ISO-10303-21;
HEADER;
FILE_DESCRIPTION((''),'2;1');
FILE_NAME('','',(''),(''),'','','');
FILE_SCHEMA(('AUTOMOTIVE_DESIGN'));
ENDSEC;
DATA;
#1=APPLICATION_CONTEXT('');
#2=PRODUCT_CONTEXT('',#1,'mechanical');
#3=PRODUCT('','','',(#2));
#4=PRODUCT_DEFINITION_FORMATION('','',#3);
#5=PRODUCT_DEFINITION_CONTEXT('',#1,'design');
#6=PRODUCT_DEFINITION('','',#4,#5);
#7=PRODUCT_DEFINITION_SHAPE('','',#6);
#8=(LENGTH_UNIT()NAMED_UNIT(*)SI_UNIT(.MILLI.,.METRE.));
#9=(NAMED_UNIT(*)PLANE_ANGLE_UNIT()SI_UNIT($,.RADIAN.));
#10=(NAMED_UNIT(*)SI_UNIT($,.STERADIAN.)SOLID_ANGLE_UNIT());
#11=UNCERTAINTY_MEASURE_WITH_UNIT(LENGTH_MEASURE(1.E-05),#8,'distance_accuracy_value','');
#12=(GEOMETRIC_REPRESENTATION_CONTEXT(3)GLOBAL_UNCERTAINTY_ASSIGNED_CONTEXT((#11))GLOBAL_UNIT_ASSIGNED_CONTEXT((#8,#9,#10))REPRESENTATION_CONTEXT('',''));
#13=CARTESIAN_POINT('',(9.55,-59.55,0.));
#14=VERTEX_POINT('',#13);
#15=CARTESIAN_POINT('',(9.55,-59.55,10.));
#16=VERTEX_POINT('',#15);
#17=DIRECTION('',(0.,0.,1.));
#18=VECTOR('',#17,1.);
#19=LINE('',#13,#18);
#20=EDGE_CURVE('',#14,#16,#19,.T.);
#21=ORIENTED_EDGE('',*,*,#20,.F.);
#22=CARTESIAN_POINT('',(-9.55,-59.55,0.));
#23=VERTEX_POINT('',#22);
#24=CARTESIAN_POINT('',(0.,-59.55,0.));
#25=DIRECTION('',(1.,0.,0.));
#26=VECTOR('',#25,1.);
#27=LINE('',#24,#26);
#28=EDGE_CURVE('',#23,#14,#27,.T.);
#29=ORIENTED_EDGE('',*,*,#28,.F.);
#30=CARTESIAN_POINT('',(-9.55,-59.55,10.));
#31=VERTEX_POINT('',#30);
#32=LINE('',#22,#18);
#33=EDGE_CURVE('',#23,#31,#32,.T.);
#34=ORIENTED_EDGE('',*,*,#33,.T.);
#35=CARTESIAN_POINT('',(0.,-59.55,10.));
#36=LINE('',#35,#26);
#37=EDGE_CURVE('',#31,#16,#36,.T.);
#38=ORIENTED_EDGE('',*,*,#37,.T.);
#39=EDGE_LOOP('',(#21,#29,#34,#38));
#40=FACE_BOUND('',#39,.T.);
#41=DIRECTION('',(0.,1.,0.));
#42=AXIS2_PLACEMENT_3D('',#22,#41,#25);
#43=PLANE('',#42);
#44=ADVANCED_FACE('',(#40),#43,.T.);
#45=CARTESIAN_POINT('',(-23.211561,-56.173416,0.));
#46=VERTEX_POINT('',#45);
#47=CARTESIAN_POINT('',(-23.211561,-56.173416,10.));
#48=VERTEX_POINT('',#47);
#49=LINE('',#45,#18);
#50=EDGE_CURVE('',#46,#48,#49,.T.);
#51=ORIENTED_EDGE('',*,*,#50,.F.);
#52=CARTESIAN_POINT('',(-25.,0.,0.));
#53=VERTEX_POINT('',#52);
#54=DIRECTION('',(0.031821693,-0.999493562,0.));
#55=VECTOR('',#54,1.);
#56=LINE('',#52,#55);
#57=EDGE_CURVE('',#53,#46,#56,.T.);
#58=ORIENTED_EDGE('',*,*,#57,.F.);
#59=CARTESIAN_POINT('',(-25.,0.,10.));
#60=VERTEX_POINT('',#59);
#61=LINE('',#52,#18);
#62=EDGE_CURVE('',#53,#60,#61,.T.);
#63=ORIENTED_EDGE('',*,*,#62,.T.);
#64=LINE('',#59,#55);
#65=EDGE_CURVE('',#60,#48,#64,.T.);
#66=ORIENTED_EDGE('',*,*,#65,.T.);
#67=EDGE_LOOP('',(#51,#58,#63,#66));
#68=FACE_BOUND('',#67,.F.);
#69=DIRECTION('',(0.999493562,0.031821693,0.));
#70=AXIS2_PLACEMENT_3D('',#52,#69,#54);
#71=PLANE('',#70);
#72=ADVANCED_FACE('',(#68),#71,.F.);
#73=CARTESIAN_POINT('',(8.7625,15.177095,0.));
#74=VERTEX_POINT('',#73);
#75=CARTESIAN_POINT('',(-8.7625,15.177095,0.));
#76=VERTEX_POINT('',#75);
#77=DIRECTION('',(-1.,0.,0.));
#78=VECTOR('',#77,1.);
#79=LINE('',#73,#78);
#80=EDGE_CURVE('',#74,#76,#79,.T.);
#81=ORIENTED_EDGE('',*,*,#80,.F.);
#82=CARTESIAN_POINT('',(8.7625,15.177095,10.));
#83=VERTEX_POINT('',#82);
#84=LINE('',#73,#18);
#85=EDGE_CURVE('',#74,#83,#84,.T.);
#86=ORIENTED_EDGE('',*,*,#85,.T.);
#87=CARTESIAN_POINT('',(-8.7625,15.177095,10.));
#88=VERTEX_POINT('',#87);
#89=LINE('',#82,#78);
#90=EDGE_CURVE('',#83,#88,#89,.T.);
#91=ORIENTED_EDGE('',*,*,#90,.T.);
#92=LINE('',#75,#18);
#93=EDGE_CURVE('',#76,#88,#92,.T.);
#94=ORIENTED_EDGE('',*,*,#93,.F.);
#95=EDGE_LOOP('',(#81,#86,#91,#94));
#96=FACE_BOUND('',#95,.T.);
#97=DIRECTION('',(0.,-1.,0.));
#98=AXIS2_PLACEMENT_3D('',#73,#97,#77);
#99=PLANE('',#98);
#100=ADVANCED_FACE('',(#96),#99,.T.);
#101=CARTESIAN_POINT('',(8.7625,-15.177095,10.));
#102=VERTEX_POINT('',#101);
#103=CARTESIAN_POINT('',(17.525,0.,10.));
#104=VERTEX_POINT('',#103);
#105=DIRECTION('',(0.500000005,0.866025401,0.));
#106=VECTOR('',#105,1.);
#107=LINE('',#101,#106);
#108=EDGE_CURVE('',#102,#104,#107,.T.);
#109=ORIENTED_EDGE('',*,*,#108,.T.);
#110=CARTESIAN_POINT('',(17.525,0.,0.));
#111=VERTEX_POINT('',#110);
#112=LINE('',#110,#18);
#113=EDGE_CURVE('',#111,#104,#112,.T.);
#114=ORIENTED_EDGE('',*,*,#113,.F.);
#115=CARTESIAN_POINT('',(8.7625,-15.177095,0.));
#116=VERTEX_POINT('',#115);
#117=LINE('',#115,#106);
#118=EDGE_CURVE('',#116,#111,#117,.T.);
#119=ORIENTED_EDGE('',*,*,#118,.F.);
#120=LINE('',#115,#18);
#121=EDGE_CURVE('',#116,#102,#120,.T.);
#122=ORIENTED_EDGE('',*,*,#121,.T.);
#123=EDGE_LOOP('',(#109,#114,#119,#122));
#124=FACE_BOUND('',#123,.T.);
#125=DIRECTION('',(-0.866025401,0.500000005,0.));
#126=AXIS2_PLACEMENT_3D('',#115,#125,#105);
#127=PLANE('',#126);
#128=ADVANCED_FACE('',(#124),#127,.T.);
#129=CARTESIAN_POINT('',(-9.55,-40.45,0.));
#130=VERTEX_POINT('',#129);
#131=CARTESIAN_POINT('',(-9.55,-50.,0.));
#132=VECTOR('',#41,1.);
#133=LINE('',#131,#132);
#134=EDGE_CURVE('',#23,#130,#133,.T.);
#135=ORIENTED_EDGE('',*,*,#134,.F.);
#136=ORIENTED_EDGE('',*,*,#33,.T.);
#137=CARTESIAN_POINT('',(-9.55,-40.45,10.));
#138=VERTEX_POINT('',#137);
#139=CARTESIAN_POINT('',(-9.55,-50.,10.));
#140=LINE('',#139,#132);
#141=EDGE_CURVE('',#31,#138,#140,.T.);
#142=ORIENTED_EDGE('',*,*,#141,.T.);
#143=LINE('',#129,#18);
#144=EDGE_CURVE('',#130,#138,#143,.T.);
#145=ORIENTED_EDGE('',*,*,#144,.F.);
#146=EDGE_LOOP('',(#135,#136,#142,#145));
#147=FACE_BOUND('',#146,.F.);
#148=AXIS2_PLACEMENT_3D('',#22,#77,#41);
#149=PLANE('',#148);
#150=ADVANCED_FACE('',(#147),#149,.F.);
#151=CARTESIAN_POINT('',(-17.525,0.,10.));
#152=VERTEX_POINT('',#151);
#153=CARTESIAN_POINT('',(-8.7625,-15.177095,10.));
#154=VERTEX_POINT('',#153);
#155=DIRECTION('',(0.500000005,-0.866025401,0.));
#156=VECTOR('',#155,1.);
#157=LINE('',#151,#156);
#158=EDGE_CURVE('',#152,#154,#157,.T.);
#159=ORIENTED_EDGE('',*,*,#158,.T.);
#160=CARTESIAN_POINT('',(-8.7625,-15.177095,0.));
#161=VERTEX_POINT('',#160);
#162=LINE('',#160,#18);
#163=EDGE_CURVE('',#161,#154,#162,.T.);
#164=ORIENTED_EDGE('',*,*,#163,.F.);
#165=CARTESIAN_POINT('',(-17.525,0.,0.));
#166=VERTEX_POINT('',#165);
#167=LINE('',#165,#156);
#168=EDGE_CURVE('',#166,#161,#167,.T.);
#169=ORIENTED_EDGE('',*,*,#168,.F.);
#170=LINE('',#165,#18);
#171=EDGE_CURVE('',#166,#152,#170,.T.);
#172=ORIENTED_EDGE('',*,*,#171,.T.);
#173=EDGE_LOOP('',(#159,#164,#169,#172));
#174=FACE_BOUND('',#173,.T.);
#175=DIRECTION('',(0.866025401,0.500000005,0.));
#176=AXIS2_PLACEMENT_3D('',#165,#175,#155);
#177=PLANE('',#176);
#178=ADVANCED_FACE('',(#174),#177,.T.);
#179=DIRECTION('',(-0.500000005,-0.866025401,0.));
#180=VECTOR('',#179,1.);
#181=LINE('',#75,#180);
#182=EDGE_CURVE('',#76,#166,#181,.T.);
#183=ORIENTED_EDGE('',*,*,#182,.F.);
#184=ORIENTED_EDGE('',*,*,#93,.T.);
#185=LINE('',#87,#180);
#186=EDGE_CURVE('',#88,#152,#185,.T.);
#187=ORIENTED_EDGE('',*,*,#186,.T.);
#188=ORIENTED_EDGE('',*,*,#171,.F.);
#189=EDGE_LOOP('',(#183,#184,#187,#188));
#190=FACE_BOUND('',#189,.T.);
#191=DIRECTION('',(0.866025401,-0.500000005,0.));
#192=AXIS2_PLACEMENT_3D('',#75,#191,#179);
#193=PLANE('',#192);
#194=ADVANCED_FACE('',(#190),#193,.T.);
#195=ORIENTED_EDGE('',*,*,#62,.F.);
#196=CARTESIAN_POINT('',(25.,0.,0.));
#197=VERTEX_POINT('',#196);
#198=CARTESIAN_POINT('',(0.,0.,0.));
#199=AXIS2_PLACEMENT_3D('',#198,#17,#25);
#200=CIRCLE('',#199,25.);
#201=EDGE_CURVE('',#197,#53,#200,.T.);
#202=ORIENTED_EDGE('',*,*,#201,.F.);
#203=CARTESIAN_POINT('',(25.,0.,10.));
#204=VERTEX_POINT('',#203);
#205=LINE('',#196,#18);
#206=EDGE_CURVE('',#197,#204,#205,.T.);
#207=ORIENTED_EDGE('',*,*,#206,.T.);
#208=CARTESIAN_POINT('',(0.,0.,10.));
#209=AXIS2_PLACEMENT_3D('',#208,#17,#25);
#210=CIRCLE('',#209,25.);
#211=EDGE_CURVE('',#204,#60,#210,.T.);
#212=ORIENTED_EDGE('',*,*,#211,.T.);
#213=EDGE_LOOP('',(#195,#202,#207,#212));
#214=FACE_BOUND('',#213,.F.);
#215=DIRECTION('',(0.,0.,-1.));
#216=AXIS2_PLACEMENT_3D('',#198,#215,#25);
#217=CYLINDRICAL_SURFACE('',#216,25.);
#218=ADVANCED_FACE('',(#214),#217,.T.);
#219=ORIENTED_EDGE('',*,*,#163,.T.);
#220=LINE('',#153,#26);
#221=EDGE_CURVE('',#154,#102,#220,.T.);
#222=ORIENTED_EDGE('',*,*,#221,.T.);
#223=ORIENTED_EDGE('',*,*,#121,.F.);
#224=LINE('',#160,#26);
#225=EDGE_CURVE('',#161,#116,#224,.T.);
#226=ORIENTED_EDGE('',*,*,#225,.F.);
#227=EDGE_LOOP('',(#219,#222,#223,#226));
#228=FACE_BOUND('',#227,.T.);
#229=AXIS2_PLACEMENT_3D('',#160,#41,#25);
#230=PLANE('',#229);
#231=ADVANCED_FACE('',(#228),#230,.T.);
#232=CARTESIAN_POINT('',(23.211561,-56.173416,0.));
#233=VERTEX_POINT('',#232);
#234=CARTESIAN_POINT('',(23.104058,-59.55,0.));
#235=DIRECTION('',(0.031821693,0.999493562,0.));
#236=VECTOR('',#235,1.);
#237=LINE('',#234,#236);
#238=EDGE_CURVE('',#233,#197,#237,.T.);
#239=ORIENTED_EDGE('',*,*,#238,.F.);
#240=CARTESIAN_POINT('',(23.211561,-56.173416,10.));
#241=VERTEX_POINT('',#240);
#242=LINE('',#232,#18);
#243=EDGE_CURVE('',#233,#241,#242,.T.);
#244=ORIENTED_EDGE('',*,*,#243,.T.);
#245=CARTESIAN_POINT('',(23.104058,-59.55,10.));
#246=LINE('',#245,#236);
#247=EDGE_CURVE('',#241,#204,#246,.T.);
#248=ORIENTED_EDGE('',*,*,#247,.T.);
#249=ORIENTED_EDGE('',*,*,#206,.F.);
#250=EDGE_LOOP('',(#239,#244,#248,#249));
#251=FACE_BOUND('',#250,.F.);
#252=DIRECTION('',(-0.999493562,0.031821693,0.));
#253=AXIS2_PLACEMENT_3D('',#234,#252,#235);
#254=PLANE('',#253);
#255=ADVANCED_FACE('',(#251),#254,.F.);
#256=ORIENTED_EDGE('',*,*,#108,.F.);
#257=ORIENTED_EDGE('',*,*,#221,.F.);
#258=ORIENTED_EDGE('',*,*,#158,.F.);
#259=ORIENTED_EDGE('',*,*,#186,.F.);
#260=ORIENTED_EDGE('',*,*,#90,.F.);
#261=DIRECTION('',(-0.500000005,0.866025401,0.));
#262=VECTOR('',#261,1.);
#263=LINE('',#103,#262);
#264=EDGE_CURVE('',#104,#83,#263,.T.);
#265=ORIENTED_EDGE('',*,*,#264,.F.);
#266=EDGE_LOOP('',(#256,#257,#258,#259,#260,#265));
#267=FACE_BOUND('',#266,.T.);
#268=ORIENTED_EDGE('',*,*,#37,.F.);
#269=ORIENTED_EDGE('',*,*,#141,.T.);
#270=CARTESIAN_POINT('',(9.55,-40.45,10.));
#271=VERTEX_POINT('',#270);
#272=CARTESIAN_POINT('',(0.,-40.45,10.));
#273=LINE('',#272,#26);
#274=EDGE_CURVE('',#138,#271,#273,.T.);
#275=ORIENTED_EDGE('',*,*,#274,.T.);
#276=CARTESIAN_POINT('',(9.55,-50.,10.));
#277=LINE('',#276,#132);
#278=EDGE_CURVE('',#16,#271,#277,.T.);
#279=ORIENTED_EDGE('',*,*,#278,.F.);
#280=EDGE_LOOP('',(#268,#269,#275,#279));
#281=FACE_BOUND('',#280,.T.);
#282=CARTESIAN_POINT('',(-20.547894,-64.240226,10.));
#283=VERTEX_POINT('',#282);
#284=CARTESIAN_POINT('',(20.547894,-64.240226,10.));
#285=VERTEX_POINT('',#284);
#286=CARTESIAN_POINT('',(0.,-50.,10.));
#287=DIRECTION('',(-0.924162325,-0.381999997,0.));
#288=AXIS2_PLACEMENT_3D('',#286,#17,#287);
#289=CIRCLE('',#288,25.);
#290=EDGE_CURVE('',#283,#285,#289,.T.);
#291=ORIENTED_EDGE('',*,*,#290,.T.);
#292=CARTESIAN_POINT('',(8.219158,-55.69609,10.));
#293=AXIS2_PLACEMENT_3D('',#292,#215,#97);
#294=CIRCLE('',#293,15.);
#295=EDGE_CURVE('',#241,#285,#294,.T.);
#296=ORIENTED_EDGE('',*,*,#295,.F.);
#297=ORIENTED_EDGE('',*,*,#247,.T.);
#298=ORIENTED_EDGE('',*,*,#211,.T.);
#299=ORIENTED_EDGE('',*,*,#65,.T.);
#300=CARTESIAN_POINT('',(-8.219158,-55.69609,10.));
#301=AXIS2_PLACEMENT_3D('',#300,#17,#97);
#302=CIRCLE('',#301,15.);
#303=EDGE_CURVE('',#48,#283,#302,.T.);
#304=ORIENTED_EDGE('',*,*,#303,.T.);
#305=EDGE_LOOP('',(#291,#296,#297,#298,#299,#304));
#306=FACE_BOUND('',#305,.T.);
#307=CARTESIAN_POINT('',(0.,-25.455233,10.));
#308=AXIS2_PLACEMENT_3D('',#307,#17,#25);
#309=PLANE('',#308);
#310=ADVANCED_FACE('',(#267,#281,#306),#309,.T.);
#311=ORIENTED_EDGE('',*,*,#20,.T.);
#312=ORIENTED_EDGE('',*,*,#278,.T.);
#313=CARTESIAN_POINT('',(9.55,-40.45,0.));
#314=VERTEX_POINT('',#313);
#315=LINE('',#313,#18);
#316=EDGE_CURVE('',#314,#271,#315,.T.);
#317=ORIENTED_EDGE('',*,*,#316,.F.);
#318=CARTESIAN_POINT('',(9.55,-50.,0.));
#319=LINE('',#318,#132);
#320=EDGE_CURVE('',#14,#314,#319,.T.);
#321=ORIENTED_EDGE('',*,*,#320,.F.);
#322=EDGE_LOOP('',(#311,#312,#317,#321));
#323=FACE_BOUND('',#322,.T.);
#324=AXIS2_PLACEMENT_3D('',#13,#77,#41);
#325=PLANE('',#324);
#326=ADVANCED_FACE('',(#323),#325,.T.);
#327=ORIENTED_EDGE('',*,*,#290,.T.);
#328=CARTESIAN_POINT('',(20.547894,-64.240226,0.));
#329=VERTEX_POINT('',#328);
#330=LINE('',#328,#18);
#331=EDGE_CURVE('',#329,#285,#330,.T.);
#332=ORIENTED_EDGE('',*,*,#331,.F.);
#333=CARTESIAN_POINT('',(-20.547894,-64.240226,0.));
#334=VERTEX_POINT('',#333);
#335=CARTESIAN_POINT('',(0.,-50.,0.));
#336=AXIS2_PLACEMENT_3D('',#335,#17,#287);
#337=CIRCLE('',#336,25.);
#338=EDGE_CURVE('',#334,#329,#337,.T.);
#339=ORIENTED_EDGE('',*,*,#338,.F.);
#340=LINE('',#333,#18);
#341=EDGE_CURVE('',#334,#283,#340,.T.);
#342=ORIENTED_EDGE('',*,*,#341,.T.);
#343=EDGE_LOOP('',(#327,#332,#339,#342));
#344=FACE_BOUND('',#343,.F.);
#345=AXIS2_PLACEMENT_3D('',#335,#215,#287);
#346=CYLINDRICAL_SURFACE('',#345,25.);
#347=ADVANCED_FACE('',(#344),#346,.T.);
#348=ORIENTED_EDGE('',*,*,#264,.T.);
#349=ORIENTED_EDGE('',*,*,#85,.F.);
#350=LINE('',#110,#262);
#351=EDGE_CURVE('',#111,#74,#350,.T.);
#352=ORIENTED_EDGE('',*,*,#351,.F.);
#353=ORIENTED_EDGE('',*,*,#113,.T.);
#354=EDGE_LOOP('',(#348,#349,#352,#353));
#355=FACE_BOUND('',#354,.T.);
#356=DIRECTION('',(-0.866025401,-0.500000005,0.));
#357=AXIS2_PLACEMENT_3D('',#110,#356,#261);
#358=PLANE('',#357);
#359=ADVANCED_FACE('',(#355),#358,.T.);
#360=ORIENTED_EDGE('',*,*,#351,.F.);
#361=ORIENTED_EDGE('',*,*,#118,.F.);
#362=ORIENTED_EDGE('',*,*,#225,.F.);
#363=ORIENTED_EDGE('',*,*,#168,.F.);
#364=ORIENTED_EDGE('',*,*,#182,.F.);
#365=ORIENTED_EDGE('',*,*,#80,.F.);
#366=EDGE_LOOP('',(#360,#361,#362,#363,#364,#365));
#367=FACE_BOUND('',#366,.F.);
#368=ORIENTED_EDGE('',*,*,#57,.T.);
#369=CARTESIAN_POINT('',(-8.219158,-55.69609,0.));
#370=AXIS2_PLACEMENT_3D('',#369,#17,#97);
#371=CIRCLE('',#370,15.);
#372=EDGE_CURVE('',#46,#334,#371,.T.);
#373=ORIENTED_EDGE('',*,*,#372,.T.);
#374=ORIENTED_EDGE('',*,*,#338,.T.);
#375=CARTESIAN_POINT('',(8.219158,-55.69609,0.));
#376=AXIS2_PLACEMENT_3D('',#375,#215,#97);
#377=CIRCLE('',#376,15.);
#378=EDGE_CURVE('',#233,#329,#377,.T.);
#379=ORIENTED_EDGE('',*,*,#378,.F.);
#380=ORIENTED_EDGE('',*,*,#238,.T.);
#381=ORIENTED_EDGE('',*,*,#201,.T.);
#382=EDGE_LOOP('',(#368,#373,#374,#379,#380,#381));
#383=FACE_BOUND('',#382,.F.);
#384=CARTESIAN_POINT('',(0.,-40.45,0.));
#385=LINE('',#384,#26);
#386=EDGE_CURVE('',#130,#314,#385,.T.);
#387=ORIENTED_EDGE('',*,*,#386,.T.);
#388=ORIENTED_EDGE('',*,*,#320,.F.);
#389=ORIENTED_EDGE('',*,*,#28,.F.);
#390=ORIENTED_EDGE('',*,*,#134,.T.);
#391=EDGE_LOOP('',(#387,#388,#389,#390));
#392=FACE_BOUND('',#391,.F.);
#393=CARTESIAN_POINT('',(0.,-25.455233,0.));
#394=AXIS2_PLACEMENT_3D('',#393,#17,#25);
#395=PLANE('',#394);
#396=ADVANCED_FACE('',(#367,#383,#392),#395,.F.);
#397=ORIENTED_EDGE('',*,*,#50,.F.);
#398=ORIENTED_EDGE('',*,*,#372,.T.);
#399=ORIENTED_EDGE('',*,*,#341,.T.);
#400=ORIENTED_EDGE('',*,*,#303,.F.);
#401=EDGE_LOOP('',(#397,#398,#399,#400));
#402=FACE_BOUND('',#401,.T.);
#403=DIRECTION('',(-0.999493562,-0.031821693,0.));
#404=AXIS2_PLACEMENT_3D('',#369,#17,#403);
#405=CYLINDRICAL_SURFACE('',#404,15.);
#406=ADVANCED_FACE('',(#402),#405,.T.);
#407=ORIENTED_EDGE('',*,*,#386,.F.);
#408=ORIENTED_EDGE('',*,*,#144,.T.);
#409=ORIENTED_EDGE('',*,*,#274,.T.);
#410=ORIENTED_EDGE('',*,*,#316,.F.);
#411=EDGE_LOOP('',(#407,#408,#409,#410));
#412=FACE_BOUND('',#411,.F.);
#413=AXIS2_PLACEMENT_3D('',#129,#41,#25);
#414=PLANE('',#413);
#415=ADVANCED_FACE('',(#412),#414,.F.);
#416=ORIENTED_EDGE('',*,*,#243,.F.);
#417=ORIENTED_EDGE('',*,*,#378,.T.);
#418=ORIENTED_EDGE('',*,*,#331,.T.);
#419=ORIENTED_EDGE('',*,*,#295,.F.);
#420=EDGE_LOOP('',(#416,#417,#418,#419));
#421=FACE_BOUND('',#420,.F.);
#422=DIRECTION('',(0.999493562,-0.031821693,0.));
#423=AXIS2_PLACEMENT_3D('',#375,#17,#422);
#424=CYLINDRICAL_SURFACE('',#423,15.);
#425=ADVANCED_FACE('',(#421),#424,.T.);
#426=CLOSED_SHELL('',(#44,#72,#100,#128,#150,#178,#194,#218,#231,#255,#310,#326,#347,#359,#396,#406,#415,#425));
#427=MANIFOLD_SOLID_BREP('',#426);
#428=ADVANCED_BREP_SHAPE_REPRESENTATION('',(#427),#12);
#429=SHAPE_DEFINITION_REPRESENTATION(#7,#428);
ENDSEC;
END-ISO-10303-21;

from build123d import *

# Parameters (mm, degrees)
SKETCH_W  = 19.1
SKETCH_H  = 19.1
PAD_DEPTH = 10
FILLET_R  = 15


with BuildPart() as part:
    # Sketch → Pad (new body)
    with BuildSketch(Plane.XY):
        with BuildLine():
            ThreePointArc((25, 0), (0, 25), (-25, 0))
            Line((-25, 0), (-23.104058, -59.55))
            ThreePointArc((-23.104058, -59.55), (0, -75), (23.104058, -59.55))
            Line((23.104058, -59.55), (25, 0))
        make_face()
        Polygon((-17.525, 0), (-8.7625, -15.177095), (8.7625, -15.177095), (17.525, 0), (8.7625, 15.177095), (-8.7625, 15.177095), align=None, mode=Mode.SUBTRACT)
        with Locations((0, -50)):
            Rectangle(SKETCH_W, SKETCH_H, mode=Mode.SUBTRACT)
    extrude(amount=PAD_DEPTH)

    # Fillet
    fillet_edges = [part.edges().sort_by_distance(p)[0] for p in [
        (-25, 0, 5),
        (-23.104058, -59.55, 5),
        (23.104058, -59.55, 5),
        (25, 0, 5),
    ]]
    fillet(fillet_edges, radius=FILLET_R)


solid = part.part
